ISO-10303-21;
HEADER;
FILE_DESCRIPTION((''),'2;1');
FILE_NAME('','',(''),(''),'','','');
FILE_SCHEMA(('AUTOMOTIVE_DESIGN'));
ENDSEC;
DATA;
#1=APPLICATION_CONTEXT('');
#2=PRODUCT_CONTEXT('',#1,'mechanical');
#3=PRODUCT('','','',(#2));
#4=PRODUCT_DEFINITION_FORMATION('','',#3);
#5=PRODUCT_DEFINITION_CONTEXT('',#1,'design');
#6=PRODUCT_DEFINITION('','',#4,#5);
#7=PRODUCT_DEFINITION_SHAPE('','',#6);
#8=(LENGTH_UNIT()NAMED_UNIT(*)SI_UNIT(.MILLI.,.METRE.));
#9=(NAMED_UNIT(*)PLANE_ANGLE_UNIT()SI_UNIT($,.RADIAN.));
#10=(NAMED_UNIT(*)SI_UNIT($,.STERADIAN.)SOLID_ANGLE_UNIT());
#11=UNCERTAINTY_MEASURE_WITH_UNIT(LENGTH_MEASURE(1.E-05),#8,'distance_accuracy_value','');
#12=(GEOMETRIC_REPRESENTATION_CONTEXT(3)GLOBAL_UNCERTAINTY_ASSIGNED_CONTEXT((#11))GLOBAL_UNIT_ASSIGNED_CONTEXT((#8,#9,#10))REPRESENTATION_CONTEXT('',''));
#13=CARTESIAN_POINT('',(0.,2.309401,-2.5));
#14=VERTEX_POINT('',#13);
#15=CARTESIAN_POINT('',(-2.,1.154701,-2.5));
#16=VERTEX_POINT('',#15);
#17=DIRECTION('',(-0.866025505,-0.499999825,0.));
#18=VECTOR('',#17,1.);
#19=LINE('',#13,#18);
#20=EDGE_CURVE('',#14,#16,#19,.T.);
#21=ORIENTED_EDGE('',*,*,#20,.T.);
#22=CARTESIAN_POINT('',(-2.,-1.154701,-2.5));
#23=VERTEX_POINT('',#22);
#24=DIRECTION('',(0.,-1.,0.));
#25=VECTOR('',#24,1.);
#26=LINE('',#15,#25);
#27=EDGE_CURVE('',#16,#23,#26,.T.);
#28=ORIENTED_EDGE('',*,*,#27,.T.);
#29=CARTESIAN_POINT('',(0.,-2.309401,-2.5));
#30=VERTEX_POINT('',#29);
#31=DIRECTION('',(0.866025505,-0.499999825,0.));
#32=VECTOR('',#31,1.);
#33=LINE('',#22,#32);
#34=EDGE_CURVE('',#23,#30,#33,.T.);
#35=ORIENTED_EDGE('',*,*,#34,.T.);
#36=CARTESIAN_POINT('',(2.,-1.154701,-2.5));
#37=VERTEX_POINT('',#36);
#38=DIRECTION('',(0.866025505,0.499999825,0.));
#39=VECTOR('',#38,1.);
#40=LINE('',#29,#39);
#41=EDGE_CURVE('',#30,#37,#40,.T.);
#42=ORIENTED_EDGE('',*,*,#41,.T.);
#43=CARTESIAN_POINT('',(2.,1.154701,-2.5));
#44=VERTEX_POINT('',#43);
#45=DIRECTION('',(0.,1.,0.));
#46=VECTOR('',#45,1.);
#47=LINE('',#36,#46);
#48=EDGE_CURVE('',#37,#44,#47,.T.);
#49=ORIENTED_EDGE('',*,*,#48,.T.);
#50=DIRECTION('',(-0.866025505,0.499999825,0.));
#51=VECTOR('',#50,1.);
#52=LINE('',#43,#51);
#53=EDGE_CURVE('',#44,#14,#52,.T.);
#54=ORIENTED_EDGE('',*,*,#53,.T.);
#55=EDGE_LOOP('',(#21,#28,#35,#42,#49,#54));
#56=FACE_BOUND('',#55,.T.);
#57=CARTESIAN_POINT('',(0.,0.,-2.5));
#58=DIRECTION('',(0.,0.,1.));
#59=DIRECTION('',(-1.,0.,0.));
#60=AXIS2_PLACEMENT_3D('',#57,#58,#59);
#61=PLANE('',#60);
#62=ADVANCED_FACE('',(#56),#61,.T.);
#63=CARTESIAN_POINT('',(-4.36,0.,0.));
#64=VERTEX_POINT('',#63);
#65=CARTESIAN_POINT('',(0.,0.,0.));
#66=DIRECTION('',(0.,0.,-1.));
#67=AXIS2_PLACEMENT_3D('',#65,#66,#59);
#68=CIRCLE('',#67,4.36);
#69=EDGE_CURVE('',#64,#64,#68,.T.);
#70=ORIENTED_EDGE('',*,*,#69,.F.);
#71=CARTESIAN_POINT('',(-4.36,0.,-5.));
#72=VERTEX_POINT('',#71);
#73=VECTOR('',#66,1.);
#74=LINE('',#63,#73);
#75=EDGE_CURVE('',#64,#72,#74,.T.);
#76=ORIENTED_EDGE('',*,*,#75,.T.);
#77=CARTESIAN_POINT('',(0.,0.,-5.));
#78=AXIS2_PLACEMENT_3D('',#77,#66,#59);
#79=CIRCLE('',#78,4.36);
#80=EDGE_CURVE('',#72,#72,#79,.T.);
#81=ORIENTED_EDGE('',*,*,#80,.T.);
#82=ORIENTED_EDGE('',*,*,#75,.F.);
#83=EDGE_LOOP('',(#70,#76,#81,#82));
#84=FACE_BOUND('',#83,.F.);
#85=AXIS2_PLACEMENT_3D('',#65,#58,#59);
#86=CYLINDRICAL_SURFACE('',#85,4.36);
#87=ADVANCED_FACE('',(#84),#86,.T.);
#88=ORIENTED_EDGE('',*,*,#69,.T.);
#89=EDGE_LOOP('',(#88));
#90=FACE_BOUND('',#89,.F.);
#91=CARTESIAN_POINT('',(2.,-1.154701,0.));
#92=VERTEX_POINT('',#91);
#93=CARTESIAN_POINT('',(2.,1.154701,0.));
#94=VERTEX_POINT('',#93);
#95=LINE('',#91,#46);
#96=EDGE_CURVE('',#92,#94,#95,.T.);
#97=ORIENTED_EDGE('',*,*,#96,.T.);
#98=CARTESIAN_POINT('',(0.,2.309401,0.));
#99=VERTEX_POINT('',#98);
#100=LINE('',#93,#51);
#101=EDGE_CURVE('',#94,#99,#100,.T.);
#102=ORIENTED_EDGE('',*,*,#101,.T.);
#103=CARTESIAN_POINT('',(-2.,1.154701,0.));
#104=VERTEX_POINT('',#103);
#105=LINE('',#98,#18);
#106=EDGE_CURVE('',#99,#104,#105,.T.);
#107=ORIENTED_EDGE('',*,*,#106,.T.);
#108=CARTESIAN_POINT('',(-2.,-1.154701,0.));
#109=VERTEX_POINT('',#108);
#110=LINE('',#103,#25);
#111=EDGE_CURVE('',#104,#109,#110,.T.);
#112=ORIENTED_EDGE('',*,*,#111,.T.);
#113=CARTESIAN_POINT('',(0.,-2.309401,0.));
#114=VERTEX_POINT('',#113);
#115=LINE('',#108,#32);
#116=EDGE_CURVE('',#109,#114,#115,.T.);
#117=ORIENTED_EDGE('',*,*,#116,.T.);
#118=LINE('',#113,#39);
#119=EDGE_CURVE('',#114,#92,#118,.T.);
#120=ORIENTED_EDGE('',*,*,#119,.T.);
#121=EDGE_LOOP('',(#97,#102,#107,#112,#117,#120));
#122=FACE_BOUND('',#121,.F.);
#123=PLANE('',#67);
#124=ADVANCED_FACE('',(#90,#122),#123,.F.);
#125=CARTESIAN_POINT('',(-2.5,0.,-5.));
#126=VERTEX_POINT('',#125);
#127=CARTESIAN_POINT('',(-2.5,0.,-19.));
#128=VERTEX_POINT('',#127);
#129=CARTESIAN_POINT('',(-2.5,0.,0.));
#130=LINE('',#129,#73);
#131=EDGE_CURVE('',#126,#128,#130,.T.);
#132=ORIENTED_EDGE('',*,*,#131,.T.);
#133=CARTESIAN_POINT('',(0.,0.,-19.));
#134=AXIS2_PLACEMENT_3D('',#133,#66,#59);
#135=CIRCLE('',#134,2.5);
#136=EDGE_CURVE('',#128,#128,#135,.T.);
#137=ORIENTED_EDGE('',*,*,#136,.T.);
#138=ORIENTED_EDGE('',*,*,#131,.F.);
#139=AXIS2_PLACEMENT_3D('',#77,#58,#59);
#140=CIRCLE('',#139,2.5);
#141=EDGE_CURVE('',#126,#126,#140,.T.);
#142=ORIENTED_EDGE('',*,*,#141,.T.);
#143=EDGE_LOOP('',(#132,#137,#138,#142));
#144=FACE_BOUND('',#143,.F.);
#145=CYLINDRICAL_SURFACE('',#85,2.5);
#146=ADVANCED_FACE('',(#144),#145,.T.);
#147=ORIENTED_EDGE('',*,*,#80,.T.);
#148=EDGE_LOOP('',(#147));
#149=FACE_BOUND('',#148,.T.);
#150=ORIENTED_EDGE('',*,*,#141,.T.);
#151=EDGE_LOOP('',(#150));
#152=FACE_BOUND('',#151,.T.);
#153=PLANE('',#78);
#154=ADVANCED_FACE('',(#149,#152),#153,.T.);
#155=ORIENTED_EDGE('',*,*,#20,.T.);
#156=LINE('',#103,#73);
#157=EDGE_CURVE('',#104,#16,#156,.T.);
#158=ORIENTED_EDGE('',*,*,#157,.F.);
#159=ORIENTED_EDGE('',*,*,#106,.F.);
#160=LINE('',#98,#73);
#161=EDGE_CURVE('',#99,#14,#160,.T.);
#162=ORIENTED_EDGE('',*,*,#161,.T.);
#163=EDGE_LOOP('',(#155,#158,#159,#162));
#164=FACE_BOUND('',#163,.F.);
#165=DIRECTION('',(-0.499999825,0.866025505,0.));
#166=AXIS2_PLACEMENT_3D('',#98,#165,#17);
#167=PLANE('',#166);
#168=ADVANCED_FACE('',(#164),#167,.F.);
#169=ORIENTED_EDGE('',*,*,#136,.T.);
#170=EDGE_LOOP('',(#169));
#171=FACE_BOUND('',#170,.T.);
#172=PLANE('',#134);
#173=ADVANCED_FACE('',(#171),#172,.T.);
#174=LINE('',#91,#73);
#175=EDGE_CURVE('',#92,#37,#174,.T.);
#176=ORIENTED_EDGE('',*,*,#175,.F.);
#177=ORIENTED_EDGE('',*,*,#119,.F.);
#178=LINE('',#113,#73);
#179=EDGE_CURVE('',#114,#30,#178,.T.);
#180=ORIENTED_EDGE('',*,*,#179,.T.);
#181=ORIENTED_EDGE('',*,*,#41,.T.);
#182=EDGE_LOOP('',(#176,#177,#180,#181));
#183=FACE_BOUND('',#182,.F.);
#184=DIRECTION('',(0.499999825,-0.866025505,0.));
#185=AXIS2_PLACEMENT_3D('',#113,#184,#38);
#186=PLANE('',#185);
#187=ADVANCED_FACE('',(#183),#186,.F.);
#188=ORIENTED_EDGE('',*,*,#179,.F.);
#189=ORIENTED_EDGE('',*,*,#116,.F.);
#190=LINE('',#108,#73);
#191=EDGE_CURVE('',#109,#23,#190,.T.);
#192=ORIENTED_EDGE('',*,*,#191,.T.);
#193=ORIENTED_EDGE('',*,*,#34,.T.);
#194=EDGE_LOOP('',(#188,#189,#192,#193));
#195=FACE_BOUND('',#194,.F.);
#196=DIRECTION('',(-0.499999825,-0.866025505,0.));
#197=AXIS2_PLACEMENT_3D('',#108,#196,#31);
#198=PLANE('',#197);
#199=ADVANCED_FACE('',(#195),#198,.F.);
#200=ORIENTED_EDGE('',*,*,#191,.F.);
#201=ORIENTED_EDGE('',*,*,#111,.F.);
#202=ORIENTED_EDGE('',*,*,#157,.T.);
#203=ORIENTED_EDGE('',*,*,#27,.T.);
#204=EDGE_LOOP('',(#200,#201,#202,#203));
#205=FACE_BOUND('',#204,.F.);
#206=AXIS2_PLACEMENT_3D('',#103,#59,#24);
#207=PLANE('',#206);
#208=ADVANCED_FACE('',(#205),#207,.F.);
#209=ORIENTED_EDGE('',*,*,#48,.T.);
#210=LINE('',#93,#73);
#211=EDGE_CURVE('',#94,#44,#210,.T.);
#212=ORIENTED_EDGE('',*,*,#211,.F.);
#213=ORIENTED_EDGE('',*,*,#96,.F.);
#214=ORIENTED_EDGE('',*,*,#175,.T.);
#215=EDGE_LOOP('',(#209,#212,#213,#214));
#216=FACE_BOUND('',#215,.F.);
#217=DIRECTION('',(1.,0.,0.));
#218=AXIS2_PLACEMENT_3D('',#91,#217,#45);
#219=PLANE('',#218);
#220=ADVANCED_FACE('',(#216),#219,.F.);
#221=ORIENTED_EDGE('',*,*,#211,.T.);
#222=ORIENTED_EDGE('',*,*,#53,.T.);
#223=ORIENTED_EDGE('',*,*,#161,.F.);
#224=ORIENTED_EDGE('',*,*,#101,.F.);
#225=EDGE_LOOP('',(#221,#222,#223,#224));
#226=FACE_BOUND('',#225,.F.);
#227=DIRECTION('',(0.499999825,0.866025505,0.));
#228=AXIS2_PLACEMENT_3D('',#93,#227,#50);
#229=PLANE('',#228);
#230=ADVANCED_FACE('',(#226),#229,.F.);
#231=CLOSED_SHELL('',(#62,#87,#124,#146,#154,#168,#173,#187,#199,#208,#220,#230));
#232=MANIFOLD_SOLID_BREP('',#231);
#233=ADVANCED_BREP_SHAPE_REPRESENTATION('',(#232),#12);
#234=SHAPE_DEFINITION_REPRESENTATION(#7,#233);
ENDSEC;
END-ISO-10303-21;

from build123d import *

# Parameters (mm, degrees)
CYLINDER013_R                      = 2.5
CYLINDER013_DEPTH                  = 19
CYLINDER012_R                      = 4.36
CYLINDER012_DEPTH                  = 5
FUSION001018017017_PLACEMENT_ANGLE = 180
POCKET002018_DEPTH                 = 2.5


with BuildPart() as cylinder013:
    # Cylinder013 → Cylinder013 (new body)
    with BuildSketch(Plane.XY):
        Circle(CYLINDER013_R)
    extrude(amount=CYLINDER013_DEPTH)


with BuildPart() as zylinderkopfschraube_m5x14_isk:
    # Cylinder012 → Cylinder012 (new body)
    with BuildSketch(Plane.XY):
        Circle(CYLINDER012_R)
    extrude(amount=CYLINDER012_DEPTH)

    # Fusion001018017017: union Cylinder013
    add(cylinder013.part)


with BuildPart() as zylinderkopfschraube_m5x14_isk_1:
    # Fusion001018017017 placement: moved
    add(zylinderkopfschraube_m5x14_isk.part.rotate(Axis((0, 0, 0), (0, 1, 0)), FUSION001018017017_PLACEMENT_ANGLE))

    # Sketch019 → Pocket002018 (cut)
    with BuildSketch(Plane(origin=(0, 0, 0), x_dir=(-1, 0, 0), z_dir=(0, 0, 1))):
        Polygon((2, -1.154701), (2, 1.154701), (0, 2.309401), (-2, 1.154701), (-2, -1.154701), (0, -2.309401), align=None)
    extrude(amount=-POCKET002018_DEPTH, mode=Mode.SUBTRACT)


solid = zylinderkopfschraube_m5x14_isk_1.part
